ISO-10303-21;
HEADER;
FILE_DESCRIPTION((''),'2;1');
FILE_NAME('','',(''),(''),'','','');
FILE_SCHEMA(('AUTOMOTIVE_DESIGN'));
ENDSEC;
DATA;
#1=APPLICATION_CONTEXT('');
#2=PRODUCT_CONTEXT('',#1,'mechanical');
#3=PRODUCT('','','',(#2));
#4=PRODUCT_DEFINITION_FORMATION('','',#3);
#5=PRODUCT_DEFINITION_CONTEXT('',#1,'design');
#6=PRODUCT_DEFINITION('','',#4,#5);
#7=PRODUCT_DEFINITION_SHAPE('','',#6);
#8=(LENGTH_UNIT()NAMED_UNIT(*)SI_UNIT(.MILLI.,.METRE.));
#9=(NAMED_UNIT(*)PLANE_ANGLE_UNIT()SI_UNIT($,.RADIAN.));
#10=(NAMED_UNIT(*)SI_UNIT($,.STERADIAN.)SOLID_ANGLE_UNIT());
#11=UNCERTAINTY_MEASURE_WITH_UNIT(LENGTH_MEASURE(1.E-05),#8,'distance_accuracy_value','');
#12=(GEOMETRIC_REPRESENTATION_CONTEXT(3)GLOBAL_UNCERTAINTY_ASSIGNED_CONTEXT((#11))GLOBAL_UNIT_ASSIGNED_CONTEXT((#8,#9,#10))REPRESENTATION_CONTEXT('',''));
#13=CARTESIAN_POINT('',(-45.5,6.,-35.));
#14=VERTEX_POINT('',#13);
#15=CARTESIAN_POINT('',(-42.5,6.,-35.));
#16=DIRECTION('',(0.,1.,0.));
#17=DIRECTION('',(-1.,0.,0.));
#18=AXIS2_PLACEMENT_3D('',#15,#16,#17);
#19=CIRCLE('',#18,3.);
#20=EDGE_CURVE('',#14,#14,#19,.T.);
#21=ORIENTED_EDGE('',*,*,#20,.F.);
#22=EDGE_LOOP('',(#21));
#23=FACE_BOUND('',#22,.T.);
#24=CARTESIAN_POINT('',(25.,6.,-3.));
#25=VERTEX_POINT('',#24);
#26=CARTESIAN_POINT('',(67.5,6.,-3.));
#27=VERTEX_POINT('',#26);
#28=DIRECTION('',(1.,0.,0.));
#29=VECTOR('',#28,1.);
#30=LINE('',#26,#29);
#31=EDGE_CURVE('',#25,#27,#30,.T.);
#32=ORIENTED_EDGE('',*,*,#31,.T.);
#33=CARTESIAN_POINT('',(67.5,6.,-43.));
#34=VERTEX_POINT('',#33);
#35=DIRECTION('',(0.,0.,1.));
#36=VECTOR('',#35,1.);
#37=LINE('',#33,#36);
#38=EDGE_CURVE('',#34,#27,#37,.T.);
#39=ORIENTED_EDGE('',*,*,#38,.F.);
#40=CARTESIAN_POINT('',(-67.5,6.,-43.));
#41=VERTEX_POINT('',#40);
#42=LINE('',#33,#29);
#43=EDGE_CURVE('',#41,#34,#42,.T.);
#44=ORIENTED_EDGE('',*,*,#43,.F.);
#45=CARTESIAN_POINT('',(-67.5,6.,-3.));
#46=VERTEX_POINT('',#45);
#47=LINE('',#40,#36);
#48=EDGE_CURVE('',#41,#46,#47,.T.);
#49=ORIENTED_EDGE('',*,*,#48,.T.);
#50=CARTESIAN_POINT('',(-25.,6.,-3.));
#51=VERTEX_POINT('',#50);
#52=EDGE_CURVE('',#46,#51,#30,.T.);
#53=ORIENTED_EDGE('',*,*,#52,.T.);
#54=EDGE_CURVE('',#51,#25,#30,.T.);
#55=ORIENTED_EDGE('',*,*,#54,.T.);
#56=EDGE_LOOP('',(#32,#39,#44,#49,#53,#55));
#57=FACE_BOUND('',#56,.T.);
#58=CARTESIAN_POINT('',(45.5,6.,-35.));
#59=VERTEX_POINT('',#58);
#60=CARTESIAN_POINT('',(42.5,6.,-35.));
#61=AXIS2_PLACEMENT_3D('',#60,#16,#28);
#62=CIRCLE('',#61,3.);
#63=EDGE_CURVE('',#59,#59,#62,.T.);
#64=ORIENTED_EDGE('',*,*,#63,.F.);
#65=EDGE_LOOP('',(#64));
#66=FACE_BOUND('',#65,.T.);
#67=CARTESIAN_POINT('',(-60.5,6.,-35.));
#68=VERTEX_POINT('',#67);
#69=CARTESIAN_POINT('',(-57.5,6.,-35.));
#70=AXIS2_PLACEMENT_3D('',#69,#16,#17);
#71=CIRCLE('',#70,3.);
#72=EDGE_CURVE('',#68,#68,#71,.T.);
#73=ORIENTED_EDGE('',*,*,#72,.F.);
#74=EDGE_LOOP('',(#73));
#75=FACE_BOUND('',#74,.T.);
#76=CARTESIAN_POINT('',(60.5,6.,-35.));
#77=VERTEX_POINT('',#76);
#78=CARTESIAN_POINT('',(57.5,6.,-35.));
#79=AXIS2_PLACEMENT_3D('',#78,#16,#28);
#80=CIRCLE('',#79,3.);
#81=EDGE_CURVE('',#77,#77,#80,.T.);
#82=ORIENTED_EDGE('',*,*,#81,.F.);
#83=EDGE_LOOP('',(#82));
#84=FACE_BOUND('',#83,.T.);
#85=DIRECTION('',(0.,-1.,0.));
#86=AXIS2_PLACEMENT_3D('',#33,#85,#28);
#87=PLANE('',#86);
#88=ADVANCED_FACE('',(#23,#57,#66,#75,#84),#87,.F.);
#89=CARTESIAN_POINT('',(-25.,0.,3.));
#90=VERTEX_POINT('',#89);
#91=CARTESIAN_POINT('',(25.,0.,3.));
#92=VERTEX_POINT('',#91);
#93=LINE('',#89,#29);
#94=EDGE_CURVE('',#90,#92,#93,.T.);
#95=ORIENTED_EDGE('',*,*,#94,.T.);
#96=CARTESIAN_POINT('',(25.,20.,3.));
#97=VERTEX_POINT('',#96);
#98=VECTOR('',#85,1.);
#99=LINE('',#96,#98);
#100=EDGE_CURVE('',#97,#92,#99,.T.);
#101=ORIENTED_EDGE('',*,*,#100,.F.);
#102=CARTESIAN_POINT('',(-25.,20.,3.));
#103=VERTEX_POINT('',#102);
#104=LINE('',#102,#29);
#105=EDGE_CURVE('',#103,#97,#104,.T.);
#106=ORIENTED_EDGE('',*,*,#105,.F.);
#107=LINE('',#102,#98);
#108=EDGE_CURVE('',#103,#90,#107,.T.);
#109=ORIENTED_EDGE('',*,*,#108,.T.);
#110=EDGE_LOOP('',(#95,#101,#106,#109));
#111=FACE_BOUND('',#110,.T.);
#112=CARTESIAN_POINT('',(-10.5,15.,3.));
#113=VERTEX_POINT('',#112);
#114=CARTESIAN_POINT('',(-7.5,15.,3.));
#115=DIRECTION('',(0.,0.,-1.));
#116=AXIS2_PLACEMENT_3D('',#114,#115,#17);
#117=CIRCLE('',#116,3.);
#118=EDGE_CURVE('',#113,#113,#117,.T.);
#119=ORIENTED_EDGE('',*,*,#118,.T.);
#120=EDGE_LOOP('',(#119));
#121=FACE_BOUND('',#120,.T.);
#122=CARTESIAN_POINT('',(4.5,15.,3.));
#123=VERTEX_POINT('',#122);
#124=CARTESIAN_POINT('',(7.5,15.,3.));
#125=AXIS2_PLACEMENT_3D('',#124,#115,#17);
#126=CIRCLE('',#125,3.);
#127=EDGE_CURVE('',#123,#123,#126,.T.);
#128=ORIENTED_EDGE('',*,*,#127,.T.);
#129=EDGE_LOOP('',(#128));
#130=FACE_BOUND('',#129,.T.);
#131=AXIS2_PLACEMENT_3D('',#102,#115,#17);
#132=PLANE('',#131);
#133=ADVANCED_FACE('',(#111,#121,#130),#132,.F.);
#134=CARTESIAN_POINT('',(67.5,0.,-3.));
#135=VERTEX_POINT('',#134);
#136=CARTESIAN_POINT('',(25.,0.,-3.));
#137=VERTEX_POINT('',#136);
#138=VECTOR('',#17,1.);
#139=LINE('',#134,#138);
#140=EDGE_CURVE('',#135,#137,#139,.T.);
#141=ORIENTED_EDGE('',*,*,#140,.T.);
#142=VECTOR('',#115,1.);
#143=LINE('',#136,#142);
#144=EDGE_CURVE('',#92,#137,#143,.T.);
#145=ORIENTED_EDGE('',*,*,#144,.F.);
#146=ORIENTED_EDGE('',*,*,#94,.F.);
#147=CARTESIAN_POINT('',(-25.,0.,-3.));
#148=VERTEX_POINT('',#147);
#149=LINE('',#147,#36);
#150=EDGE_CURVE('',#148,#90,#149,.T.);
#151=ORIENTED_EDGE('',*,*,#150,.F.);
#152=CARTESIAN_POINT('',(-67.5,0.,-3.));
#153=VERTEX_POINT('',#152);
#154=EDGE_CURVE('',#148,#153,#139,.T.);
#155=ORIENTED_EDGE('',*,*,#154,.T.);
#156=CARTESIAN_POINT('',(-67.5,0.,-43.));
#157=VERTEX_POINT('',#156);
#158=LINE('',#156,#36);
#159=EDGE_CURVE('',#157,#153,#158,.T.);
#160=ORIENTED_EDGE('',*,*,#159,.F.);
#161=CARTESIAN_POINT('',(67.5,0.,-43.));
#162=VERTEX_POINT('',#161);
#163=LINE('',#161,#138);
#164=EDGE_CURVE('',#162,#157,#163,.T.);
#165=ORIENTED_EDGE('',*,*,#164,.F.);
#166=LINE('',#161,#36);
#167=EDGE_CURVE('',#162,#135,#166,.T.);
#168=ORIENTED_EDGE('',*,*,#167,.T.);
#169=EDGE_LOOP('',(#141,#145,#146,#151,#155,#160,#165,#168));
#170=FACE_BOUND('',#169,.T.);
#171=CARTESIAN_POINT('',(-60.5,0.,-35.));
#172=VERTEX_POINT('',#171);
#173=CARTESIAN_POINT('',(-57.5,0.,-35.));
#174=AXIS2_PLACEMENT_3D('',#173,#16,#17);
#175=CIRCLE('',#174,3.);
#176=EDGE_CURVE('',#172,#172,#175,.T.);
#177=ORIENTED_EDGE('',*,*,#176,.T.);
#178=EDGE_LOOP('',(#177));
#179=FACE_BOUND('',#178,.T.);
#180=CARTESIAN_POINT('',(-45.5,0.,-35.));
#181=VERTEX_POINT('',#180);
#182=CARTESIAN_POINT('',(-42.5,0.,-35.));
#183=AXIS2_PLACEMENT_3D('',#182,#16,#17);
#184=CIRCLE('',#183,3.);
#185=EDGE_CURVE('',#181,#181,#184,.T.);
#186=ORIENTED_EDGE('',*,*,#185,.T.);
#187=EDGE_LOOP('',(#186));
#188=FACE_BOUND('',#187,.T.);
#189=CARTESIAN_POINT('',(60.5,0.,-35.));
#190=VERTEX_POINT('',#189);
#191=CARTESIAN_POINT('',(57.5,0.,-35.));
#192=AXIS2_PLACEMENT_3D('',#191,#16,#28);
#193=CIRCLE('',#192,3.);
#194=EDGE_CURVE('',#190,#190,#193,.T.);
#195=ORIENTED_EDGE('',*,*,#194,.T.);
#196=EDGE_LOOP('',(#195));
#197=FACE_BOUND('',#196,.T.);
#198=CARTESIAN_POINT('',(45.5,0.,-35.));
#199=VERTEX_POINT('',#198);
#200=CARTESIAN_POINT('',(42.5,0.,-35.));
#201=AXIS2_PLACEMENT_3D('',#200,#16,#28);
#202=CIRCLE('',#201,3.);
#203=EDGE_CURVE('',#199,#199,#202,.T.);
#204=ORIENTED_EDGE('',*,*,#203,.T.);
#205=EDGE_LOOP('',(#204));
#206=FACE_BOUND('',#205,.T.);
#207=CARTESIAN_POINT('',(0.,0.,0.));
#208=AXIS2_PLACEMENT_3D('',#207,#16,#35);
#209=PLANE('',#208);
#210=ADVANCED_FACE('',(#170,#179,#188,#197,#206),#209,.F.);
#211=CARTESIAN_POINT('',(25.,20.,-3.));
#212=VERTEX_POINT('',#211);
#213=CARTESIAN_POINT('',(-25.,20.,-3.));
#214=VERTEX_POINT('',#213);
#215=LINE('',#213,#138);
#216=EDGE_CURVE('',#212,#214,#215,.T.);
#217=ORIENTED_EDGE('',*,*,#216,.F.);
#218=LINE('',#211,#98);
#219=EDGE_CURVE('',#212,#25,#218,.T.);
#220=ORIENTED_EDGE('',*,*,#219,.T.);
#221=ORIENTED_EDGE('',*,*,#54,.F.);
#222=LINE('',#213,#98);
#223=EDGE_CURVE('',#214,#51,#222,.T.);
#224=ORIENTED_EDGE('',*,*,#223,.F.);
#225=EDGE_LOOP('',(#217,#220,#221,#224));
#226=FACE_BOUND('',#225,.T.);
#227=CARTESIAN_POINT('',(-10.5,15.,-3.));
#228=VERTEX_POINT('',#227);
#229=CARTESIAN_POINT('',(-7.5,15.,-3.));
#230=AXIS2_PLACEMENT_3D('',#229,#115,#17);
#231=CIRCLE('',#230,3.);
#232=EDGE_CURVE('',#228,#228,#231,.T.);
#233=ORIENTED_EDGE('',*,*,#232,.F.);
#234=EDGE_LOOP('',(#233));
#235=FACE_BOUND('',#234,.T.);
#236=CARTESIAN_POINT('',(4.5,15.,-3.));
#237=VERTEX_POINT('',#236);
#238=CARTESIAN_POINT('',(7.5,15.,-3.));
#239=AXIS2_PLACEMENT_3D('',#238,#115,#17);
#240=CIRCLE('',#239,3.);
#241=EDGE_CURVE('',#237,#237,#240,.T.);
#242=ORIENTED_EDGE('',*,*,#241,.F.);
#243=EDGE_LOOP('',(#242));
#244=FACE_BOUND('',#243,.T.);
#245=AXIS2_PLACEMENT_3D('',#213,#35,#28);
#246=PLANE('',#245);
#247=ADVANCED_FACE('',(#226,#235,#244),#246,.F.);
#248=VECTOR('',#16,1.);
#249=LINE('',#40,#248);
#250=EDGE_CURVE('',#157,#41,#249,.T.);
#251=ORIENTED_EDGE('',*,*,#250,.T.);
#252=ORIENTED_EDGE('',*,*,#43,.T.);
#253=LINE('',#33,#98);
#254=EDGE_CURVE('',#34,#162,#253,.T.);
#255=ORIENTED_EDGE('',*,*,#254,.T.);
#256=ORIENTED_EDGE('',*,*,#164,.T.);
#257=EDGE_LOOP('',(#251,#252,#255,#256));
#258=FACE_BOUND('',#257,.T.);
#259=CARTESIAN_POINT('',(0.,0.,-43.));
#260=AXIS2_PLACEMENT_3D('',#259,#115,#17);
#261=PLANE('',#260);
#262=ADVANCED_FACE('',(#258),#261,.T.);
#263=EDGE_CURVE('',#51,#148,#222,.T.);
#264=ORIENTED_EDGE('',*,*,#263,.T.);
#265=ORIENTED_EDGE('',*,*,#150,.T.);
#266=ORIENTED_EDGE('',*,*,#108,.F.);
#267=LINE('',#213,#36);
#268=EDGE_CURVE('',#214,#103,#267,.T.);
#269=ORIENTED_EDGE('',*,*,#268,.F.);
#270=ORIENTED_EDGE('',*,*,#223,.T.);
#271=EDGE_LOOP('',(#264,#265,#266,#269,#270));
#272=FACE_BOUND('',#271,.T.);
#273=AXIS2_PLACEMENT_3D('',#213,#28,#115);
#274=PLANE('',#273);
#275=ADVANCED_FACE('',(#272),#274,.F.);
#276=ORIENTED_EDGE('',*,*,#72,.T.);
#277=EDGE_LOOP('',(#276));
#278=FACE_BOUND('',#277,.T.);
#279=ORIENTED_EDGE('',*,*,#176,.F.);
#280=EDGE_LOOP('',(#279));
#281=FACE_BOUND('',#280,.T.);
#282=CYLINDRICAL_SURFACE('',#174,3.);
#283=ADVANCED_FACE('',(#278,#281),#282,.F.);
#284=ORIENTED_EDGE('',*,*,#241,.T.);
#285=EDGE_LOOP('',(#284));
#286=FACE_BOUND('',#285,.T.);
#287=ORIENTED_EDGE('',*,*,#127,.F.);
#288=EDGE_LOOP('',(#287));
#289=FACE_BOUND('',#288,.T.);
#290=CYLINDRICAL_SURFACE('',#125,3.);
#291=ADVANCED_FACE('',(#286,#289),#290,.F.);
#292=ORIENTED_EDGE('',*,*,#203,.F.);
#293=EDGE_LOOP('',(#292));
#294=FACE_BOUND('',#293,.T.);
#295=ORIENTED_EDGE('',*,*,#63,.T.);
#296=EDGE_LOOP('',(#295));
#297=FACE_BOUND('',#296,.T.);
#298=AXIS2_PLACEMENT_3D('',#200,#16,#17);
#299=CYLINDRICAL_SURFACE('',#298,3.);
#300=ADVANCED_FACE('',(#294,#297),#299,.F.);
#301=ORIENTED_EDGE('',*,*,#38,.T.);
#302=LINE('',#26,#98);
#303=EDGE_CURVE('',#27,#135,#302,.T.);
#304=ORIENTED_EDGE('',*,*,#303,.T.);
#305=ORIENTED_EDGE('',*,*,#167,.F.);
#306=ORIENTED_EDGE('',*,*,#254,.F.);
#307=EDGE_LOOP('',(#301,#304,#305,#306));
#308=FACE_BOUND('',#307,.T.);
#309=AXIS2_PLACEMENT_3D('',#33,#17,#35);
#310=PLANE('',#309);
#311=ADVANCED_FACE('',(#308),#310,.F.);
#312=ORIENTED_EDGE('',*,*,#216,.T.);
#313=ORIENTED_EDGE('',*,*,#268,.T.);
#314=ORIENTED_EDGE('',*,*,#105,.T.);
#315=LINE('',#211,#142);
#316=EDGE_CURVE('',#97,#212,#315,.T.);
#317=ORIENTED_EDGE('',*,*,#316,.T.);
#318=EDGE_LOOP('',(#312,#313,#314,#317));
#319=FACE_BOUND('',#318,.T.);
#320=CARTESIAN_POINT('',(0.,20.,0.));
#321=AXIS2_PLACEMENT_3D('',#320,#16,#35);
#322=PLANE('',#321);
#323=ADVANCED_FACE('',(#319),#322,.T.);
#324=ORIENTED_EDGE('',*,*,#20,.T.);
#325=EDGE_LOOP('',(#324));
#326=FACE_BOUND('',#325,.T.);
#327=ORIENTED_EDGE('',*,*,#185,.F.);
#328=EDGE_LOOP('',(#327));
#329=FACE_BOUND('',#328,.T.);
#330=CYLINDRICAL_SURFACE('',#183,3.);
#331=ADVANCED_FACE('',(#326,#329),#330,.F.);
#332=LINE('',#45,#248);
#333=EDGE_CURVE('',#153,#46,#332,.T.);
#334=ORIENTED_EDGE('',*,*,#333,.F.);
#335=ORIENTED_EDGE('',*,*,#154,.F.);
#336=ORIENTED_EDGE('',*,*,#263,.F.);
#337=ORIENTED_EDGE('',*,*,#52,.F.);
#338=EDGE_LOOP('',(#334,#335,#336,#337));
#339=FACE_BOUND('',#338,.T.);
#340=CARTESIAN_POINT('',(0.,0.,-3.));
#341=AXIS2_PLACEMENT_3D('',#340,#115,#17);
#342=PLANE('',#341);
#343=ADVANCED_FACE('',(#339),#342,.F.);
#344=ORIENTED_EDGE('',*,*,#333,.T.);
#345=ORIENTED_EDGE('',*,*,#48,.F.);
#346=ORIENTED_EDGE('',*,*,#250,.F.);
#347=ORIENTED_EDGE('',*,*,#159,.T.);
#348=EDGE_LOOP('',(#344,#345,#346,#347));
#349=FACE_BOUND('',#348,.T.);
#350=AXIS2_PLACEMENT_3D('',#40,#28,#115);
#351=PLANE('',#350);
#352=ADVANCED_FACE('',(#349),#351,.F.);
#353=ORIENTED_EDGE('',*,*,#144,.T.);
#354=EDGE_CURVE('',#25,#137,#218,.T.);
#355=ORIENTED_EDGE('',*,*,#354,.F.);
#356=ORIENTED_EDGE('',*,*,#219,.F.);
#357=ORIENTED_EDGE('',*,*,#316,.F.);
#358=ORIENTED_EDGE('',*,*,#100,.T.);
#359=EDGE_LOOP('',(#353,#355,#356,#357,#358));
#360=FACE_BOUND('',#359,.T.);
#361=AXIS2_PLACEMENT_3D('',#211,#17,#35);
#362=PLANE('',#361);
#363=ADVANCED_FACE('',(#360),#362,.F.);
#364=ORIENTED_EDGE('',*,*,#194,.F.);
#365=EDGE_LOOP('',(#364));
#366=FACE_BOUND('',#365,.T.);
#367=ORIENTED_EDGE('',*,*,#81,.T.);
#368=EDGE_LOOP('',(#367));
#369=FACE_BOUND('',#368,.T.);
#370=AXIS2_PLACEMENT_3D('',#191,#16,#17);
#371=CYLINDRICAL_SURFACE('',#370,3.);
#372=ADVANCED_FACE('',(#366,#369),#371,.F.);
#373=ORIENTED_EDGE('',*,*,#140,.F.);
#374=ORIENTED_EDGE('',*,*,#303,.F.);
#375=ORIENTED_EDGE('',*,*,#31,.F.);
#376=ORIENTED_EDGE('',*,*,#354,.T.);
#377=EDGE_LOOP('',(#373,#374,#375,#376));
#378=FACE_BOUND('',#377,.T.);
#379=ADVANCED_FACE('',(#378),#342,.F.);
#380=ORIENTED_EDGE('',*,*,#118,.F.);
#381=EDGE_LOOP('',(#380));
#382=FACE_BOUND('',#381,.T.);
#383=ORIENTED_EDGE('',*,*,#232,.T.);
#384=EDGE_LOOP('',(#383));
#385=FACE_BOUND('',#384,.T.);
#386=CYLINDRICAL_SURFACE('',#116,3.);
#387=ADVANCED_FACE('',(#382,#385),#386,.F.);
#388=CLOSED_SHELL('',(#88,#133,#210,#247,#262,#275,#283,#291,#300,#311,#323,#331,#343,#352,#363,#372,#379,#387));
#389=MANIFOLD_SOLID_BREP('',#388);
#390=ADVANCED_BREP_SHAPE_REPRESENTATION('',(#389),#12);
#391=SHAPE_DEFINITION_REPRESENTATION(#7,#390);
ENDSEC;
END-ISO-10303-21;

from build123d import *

# Parameters (mm, degrees)
SKETCH1_W           = 50
SKETCH1_H           = 6
BOSS_EXTRUDE1_DEPTH = 20
SKETCH2_R           = 3
CUT_EXTRUDE1_DEPTH  = 33.57299495
SKETCH3_W           = 135
SKETCH3_H           = 6
BOSS_EXTRUDE2_DEPTH = 40
SKETCH4_R           = 3
CUT_EXTRUDE2_DEPTH  = 82.2480769


with BuildPart() as part:
    # Sketch1 → Boss-Extrude1 (new body)
    with BuildSketch(Plane(origin=(0, 0, 0), x_dir=(1, 0, 0), z_dir=(0, 1, 0))):
        Rectangle(SKETCH1_W, SKETCH1_H)
    extrude(amount=BOSS_EXTRUDE1_DEPTH)

    # Sketch2 → Cut-Extrude1 (cut, through all)
    with BuildSketch(Plane(origin=(0, 0, -3), x_dir=(-1, 0, 0), z_dir=(0, 0, -1))):
        with Locations((-7.5, 15)):
            Circle(SKETCH2_R)
        with Locations((7.5, 15)):
            Circle(SKETCH2_R)
    extrude(amount=-CUT_EXTRUDE1_DEPTH, mode=Mode.SUBTRACT)

    # Sketch3 → Boss-Extrude2 (add)
    with BuildSketch(Plane(origin=(0, 0, -3), x_dir=(-1, 0, 0), z_dir=(0, 0, -1))):
        with Locations((0, 3)):
            Rectangle(SKETCH3_W, SKETCH3_H)
    extrude(amount=BOSS_EXTRUDE2_DEPTH)

    # Sketch4 → Cut-Extrude2 (cut, through all)
    with BuildSketch(Plane(origin=(0, 6, 0), x_dir=(1, 0, 0), z_dir=(0, 1, 0))):
        with Locations(Location((-57.5, 35, 0), (0, 0, 180))):
            Circle(SKETCH4_R)
        with Locations(Location((-42.5, 35, 0), (0, 0, 180))):
            Circle(SKETCH4_R)
        with Locations((42.5, 35)):
            Circle(SKETCH4_R)
        with Locations((57.5, 35)):
            Circle(SKETCH4_R)
    extrude(amount=-CUT_EXTRUDE2_DEPTH, mode=Mode.SUBTRACT)


solid = part.part
